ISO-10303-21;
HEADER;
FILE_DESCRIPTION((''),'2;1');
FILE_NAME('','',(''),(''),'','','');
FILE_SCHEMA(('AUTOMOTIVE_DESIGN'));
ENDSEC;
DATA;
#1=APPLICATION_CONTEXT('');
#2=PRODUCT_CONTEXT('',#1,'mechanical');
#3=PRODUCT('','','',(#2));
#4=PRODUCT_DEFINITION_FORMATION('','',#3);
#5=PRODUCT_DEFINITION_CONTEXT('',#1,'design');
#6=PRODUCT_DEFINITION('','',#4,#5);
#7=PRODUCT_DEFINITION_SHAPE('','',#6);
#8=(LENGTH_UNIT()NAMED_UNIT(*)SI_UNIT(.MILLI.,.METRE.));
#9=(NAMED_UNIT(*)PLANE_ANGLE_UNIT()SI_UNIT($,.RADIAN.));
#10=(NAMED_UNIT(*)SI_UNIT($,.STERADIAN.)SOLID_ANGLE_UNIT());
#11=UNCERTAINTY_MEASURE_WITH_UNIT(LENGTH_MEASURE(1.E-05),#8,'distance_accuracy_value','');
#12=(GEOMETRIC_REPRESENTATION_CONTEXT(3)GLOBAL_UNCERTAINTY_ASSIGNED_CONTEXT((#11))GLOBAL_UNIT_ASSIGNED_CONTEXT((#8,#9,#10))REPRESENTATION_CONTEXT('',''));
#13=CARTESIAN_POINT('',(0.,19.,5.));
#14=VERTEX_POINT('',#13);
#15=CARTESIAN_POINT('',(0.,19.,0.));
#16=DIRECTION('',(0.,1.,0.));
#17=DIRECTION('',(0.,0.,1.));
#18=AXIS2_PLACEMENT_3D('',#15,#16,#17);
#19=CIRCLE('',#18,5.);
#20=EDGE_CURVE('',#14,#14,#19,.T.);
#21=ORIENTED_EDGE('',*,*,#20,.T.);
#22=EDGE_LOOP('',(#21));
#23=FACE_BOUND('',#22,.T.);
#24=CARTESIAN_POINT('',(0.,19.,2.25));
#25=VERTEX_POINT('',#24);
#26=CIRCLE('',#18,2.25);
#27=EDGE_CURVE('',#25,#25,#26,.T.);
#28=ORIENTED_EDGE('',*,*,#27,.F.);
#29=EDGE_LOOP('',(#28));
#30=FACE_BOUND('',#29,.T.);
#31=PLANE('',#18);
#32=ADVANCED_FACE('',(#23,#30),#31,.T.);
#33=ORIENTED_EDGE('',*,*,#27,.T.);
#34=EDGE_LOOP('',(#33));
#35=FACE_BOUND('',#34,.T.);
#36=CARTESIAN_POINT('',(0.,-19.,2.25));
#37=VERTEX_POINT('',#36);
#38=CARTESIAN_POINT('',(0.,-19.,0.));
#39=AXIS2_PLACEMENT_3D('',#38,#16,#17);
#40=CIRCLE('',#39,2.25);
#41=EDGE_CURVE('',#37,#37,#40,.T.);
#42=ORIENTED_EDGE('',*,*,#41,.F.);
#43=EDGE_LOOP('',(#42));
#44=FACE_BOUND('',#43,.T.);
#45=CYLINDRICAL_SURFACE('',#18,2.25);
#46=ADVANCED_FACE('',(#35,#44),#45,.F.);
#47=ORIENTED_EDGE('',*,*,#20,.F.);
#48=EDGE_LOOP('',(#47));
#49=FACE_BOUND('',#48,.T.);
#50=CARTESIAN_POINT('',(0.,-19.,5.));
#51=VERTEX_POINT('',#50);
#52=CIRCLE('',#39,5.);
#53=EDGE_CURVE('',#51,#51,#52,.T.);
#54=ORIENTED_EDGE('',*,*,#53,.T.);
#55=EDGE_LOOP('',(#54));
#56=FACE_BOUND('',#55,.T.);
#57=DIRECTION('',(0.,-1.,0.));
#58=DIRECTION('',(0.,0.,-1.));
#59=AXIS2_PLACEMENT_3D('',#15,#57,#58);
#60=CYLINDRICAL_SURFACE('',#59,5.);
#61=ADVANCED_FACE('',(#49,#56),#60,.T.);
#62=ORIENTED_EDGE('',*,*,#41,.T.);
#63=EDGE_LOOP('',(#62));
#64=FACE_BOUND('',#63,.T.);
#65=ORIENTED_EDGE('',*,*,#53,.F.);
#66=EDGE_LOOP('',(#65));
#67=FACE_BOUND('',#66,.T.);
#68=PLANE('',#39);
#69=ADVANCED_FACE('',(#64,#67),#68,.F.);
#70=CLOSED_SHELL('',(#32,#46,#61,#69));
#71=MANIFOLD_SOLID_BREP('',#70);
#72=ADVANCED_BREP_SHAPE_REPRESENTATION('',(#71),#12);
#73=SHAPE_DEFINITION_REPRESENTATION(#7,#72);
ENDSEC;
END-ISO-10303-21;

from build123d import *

# Parameters (mm, degrees)
CROQUIS1_R                   = 5
SALIENTE_EXTRUIR1_DEPTH      = 19
TALADRO_DE_MARGEN_PARA_M41_D = 4.5


with BuildPart() as part:
    # Croquis1 → Saliente-Extruir1 (new, symmetric)
    with BuildSketch(Plane(origin=(0, 0, 0), x_dir=(1, 0, 0), z_dir=(0, 1, 0))):
        with Locations(Location((0, 0, 0), (0, 0, 270))):
            Circle(CROQUIS1_R)
    extrude(amount=SALIENTE_EXTRUIR1_DEPTH, both=True)

    # Taladro de margen para M41 (through all)
    with Locations(Plane(origin=(0, 19, 0), x_dir=(1, 0, 0), z_dir=(0, 1, 0))):
        with Locations((0, 0)):
            Hole(TALADRO_DE_MARGEN_PARA_M41_D / 2)


solid = part.part
